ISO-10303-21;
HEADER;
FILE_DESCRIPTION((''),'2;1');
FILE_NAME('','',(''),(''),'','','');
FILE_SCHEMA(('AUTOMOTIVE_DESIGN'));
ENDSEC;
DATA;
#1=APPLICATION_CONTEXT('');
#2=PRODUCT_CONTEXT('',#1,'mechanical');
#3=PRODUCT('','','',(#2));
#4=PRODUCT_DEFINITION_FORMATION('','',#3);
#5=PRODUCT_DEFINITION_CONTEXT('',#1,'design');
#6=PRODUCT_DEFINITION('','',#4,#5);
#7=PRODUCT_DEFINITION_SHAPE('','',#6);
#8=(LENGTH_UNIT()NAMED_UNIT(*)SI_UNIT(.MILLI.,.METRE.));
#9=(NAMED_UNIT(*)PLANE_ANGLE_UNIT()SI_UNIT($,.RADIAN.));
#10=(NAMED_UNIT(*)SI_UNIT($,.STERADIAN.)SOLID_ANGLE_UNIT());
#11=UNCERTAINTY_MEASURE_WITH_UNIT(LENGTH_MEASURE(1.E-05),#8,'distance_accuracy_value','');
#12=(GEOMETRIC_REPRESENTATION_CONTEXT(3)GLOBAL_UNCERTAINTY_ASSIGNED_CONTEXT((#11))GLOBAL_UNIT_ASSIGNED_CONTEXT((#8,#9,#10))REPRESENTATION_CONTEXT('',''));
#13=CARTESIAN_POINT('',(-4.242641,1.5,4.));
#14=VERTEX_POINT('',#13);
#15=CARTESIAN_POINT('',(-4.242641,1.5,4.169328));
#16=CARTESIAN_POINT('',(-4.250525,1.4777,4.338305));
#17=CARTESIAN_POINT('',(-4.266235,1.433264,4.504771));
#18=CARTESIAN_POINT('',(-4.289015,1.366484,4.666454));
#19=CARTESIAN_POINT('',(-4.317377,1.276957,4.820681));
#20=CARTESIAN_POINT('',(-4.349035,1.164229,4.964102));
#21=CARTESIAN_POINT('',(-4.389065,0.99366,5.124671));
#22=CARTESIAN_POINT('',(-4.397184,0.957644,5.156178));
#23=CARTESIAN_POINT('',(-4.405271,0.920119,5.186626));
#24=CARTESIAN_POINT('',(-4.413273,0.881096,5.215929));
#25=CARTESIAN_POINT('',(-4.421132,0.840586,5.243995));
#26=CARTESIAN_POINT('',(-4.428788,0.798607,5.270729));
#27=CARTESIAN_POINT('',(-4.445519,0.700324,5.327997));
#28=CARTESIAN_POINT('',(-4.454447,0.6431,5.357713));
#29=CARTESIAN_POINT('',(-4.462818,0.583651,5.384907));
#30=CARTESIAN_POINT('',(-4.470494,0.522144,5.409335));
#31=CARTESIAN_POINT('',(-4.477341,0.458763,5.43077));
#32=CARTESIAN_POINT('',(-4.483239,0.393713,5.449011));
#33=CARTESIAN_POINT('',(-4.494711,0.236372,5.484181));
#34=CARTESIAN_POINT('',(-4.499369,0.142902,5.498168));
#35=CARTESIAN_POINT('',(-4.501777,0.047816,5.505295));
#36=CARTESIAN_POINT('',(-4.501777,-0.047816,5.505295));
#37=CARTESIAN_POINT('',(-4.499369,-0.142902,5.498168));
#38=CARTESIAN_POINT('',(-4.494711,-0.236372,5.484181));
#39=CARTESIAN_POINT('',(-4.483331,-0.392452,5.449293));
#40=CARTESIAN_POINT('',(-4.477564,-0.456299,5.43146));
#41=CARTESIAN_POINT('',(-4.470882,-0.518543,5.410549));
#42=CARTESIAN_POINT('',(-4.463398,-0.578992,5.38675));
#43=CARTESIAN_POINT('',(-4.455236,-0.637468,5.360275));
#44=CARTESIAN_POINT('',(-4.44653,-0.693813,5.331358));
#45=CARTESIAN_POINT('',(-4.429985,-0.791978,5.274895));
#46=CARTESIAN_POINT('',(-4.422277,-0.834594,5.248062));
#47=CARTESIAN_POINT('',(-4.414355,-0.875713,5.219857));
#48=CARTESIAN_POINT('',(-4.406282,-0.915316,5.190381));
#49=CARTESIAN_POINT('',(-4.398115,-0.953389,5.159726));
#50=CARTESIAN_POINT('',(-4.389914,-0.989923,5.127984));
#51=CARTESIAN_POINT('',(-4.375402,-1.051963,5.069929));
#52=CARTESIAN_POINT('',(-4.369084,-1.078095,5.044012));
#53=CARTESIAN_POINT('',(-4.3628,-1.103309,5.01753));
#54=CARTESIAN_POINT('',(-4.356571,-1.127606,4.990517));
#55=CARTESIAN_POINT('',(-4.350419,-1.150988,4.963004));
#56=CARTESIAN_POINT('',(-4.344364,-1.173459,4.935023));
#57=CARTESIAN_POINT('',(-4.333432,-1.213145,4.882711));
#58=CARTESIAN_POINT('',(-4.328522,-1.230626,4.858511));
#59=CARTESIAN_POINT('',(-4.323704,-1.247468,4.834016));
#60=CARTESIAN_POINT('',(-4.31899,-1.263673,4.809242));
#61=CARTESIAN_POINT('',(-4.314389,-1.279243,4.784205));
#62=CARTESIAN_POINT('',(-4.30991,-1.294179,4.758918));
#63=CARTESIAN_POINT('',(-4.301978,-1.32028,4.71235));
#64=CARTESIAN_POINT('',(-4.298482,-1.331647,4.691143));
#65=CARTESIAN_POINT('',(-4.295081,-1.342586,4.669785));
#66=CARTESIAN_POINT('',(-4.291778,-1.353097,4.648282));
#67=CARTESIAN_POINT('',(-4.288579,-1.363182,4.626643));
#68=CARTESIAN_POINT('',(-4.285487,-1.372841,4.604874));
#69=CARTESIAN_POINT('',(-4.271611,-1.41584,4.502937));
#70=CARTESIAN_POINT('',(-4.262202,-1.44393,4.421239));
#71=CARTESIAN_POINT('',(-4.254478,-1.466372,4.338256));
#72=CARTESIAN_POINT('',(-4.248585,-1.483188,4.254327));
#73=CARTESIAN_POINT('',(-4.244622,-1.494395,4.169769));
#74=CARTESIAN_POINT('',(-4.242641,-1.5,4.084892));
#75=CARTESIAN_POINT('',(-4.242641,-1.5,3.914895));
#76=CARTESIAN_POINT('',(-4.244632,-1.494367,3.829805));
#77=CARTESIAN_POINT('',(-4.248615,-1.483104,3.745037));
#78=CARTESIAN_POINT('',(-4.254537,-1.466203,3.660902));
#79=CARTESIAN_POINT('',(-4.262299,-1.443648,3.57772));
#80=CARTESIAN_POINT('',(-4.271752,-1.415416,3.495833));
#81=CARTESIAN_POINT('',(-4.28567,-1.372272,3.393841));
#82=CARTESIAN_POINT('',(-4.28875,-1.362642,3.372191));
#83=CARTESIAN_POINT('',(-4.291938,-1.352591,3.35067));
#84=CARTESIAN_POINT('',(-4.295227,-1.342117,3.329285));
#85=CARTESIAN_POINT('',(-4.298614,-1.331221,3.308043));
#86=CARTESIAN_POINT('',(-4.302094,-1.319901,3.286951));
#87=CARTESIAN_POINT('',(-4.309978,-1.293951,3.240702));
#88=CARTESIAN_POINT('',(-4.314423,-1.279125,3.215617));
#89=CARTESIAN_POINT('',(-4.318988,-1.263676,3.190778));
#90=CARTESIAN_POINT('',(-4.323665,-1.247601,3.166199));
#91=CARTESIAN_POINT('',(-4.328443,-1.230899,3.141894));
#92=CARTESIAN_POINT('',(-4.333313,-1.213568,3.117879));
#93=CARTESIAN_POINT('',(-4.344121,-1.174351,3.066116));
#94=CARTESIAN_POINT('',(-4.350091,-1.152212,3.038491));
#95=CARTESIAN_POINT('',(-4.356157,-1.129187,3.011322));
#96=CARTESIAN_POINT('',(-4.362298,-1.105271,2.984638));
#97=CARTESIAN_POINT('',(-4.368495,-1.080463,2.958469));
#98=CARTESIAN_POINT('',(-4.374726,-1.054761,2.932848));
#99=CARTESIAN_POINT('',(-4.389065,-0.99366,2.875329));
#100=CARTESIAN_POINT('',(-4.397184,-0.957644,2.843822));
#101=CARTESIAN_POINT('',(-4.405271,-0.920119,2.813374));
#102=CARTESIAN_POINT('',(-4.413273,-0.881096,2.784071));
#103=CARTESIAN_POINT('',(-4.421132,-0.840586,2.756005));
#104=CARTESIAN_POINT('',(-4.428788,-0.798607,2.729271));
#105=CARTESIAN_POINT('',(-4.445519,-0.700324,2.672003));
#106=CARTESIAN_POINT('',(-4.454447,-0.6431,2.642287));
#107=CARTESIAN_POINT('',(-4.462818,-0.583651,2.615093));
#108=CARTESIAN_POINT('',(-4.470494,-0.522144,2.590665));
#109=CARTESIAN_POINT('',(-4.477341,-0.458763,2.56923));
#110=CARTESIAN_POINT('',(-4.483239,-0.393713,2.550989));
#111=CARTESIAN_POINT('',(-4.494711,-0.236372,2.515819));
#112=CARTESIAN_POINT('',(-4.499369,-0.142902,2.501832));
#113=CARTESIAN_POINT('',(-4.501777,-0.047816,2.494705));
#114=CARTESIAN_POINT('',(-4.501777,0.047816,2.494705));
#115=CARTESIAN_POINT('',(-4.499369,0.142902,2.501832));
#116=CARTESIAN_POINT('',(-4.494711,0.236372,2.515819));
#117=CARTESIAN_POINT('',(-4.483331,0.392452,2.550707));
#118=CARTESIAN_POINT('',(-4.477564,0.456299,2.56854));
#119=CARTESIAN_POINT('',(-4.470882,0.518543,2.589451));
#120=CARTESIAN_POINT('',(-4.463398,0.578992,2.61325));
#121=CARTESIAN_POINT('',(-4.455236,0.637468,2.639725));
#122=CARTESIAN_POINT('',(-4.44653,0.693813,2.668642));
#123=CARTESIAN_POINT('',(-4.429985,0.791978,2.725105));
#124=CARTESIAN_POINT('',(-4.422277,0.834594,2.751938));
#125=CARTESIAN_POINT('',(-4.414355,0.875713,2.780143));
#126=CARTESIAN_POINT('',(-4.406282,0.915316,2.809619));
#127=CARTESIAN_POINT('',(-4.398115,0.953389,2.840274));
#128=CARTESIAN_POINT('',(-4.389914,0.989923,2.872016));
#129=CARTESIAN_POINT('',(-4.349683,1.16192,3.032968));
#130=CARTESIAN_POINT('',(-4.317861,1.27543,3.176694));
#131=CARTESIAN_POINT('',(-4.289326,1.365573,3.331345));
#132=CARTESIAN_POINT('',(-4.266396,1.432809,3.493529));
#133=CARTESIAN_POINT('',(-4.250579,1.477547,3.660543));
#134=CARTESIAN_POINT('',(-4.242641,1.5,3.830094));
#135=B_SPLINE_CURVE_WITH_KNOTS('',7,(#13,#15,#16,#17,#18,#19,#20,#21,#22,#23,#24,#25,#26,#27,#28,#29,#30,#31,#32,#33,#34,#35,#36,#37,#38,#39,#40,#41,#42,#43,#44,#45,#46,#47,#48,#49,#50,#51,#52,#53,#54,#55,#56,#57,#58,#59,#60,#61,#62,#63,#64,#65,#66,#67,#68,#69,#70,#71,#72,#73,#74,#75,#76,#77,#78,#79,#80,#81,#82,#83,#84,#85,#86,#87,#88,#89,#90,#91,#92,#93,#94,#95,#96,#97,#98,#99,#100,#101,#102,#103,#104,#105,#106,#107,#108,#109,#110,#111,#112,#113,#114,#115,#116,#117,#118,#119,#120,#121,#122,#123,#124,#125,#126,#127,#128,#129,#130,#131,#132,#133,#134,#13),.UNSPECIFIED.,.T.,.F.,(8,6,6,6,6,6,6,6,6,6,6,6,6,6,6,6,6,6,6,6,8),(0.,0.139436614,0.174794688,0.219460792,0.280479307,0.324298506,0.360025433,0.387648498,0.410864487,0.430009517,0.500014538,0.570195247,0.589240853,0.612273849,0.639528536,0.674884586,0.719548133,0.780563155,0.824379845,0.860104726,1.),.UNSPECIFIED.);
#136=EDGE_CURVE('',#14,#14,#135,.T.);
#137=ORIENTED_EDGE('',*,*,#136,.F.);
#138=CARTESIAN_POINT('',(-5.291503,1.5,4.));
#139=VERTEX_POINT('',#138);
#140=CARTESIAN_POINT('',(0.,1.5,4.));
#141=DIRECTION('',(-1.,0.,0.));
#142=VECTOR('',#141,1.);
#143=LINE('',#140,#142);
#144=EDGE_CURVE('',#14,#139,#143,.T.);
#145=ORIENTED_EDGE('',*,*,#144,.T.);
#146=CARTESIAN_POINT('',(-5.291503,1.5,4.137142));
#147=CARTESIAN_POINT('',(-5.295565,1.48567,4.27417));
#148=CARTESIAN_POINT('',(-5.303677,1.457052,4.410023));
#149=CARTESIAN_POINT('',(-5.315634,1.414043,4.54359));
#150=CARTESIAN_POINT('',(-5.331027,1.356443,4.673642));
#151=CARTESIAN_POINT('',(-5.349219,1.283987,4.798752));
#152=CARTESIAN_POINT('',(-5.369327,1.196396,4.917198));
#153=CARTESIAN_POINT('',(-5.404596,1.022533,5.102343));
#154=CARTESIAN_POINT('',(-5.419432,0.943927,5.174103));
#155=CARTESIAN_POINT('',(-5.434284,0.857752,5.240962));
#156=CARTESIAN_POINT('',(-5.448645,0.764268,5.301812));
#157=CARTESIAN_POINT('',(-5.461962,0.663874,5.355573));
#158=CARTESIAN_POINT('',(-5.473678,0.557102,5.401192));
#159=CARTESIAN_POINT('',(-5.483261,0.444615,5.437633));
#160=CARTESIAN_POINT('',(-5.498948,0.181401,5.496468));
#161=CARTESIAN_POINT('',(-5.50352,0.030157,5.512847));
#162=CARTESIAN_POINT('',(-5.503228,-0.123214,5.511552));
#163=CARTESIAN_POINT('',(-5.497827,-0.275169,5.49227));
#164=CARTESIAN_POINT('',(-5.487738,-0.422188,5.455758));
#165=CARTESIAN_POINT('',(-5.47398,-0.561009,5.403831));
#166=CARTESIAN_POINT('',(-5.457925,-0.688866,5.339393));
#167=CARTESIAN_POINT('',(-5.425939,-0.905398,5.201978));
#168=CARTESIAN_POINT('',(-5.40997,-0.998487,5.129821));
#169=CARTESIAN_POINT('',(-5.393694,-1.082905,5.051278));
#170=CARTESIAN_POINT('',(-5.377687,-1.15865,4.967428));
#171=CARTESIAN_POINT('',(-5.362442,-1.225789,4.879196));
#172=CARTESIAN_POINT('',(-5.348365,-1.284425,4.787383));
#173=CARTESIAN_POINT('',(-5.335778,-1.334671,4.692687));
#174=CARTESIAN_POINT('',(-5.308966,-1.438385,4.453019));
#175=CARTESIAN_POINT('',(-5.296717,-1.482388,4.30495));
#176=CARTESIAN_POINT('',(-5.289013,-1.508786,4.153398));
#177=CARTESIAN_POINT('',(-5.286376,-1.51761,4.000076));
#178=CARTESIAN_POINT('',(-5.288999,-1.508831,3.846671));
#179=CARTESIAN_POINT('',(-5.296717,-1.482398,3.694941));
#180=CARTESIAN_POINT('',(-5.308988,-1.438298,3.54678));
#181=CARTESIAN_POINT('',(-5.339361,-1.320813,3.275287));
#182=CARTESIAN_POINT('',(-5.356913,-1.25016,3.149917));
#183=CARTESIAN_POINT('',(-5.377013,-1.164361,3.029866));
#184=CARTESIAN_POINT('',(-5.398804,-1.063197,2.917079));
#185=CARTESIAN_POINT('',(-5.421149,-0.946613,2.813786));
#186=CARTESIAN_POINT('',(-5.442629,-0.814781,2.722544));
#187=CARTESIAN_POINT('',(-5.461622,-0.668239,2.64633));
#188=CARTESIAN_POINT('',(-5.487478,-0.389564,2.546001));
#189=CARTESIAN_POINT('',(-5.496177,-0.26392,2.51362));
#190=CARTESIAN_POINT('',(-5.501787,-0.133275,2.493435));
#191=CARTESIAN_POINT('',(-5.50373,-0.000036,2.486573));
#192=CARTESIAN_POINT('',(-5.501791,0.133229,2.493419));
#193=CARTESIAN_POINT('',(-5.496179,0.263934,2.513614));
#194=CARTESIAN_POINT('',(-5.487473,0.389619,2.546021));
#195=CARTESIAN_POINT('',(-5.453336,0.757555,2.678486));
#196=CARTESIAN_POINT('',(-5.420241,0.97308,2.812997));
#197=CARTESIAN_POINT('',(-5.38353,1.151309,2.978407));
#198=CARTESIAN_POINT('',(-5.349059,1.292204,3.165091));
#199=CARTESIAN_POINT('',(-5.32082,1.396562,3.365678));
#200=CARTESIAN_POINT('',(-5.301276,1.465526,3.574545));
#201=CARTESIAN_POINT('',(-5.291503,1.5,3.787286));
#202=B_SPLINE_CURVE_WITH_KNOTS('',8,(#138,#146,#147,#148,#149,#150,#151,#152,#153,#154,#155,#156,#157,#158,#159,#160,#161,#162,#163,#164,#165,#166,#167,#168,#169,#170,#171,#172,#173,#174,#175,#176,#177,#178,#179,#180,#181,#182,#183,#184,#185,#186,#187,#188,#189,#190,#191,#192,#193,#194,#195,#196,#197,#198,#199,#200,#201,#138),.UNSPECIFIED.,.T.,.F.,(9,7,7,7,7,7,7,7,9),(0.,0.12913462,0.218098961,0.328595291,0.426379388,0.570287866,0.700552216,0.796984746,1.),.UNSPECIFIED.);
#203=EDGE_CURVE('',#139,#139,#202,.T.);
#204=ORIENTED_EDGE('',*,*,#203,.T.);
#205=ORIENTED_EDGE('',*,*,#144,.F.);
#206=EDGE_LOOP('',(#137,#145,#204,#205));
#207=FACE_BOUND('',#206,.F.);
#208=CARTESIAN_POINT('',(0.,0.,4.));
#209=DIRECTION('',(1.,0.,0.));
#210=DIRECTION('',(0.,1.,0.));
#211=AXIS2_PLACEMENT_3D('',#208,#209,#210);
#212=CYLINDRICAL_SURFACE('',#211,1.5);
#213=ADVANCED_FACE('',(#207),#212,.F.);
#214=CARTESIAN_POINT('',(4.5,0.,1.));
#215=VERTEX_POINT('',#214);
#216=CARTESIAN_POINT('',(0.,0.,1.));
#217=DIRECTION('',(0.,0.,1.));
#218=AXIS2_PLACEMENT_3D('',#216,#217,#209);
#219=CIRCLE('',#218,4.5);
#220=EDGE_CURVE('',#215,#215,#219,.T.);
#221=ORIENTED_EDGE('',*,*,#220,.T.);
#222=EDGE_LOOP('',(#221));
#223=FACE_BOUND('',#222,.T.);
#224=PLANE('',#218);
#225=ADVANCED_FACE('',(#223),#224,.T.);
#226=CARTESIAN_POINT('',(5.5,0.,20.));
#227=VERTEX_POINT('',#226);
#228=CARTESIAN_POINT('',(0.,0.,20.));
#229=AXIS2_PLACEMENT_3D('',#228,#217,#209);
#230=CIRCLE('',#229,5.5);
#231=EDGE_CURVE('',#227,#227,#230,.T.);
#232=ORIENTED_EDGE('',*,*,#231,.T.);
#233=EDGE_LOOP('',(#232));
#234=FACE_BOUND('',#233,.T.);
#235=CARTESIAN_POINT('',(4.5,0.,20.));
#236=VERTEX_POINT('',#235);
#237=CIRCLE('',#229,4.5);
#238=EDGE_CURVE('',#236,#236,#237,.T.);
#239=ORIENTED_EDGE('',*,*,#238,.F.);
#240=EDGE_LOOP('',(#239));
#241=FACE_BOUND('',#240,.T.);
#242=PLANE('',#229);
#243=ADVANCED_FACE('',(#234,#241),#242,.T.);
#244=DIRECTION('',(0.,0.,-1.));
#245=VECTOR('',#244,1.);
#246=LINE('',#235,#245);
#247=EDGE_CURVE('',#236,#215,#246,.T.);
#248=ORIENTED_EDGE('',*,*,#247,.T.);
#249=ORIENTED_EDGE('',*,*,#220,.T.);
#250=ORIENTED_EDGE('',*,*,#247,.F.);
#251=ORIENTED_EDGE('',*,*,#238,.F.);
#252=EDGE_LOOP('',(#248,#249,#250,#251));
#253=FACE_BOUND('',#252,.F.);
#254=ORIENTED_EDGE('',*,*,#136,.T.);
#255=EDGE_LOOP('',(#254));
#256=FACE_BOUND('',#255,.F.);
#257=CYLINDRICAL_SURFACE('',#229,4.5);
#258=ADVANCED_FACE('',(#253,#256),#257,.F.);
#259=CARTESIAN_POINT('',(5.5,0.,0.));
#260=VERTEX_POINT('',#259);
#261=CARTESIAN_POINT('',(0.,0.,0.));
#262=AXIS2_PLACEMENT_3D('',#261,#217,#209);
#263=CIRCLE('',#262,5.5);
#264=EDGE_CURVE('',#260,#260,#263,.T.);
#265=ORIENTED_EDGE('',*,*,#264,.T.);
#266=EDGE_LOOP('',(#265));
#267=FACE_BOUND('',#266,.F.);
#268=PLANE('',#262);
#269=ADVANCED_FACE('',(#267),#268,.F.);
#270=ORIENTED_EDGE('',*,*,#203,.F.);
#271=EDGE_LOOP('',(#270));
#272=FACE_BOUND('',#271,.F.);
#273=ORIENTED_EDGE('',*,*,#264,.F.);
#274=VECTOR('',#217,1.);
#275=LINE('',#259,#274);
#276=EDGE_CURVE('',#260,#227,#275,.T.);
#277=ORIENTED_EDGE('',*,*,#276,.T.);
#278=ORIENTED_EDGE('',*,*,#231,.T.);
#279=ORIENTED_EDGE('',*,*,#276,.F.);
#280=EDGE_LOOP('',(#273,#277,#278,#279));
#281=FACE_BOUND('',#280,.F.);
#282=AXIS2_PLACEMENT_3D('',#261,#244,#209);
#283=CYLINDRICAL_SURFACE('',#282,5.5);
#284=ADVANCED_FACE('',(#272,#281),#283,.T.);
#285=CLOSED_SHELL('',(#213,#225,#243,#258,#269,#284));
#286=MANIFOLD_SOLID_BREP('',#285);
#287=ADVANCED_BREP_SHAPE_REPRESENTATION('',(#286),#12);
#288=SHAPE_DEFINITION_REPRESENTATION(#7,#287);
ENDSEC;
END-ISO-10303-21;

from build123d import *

# Parameters (mm, degrees)
F0_R     = 5.5
F1_DEPTH = 20
F2_R     = 4.5
F3_DEPTH = 19
F4_R     = 1.5
F5_DEPTH = 25


with BuildPart() as f1:
    # F0 (on Top) → F1 (new body)
    with BuildSketch(Plane.XY):
        Circle(F0_R)
    extrude(amount=F1_DEPTH)

    # F2 (on face) → F3 (cut)
    with BuildSketch(Plane.XY.offset(20)):
        Circle(F2_R)
    extrude(amount=-F3_DEPTH, mode=Mode.SUBTRACT)

    # F4 (on Right) → F5 (cut)
    with BuildSketch(Plane.YZ):
        with Locations((0, 4)):
            Circle(F4_R)
    extrude(amount=-F5_DEPTH, mode=Mode.SUBTRACT)


solid = f1.part
